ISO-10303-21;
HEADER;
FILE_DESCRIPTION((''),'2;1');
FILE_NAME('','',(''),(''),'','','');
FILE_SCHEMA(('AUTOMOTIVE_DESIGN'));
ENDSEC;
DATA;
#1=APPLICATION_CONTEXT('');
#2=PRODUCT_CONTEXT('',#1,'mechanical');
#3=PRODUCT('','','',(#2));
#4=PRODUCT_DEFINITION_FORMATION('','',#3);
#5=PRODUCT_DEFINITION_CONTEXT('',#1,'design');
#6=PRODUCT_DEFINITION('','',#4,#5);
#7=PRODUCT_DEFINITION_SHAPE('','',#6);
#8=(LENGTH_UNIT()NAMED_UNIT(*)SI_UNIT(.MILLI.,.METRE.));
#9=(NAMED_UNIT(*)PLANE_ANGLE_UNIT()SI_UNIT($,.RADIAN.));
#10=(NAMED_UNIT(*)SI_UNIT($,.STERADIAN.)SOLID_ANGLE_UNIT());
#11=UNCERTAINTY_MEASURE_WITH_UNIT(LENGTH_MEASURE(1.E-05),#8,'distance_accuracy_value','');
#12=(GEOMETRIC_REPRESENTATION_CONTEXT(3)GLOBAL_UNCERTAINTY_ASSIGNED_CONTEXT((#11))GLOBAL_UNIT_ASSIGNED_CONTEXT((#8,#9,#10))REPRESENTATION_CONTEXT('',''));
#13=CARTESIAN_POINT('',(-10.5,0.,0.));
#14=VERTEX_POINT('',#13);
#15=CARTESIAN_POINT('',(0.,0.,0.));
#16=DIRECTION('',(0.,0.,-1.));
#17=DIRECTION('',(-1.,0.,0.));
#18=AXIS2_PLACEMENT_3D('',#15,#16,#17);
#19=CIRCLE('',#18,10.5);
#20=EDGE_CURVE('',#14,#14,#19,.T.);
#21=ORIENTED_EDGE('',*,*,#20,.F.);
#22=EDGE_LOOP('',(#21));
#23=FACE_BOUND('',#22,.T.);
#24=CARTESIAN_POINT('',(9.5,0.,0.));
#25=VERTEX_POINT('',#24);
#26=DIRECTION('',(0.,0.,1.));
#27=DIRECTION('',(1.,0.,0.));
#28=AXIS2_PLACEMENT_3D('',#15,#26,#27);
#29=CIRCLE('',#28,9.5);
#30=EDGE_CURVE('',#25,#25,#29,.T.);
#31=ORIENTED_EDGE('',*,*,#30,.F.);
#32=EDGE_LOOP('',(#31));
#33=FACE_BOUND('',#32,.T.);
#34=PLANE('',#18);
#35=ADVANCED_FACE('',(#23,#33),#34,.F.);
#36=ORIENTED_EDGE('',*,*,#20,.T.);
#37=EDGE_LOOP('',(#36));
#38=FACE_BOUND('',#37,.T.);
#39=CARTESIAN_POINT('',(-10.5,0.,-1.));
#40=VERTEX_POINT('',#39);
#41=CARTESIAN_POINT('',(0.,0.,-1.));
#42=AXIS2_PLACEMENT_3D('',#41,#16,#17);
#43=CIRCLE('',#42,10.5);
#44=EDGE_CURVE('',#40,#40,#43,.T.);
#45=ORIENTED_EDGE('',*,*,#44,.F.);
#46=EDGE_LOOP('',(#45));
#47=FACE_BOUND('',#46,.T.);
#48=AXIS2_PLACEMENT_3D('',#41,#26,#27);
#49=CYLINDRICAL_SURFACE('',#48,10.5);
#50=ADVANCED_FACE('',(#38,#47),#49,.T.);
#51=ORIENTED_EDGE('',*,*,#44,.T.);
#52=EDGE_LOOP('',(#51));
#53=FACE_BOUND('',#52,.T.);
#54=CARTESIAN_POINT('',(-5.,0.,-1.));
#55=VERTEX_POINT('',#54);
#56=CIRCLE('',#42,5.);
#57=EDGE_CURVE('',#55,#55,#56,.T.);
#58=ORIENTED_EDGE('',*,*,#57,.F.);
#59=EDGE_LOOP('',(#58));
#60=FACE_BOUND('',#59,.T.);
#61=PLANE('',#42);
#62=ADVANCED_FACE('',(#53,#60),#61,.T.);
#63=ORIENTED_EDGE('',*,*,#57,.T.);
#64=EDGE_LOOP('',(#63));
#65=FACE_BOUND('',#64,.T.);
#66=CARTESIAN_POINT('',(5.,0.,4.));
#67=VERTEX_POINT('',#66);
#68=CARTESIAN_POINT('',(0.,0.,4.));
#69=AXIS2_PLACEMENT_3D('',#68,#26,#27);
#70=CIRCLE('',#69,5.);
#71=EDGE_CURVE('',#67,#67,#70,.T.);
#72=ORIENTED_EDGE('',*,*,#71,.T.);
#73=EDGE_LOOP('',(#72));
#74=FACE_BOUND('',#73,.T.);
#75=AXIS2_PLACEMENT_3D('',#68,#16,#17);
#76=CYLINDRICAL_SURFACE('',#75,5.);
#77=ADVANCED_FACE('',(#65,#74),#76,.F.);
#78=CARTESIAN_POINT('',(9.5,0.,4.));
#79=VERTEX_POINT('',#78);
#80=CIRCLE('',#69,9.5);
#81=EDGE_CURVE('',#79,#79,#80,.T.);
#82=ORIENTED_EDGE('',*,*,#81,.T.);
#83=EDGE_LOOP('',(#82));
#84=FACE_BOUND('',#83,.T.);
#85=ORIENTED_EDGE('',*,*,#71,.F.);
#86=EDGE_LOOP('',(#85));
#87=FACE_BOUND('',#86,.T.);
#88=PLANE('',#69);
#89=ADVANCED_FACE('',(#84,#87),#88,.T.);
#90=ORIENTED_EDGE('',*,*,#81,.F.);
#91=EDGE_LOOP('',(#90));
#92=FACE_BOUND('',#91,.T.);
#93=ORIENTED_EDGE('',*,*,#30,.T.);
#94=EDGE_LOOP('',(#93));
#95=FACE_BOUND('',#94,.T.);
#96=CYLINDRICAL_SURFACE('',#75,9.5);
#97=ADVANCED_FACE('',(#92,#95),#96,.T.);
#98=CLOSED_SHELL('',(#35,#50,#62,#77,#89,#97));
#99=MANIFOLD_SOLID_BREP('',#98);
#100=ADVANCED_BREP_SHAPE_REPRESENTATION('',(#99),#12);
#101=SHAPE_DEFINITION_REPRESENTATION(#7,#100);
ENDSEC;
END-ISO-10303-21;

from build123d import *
from build123d.topology import SkipClean

# Parameters (mm, degrees)
SKETCH_1_R      = 9.5
SKETCH_1_R_2    = 5
EXTRUDE_1_DEPTH = 4
EXTRUDE_START   = 1
SKETCH_2_R      = 10.5
SKETCH_2_R_2    = 5
EXTRUDE_2_DEPTH = 1


with BuildPart() as part:
    # 草图1 → 凸台-拉伸1 (new body)
    with BuildSketch(Plane.XY):
        Circle(SKETCH_1_R)
        Circle(SKETCH_1_R_2, mode=Mode.SUBTRACT)
    extrude(amount=EXTRUDE_1_DEPTH)

    # 草图2 → 凸台-拉伸2 (add)
    with SkipClean():  # the faces are left unmerged after this step: merging them gives an invalid solid
        with BuildSketch(Plane(origin=(0, 0, 0), x_dir=(-1, 0, 0), z_dir=(0, 0, -1)).offset(EXTRUDE_START)):
            Circle(SKETCH_2_R)
            Circle(SKETCH_2_R_2, mode=Mode.SUBTRACT)
        extrude(amount=-EXTRUDE_2_DEPTH)


solid = part.part
